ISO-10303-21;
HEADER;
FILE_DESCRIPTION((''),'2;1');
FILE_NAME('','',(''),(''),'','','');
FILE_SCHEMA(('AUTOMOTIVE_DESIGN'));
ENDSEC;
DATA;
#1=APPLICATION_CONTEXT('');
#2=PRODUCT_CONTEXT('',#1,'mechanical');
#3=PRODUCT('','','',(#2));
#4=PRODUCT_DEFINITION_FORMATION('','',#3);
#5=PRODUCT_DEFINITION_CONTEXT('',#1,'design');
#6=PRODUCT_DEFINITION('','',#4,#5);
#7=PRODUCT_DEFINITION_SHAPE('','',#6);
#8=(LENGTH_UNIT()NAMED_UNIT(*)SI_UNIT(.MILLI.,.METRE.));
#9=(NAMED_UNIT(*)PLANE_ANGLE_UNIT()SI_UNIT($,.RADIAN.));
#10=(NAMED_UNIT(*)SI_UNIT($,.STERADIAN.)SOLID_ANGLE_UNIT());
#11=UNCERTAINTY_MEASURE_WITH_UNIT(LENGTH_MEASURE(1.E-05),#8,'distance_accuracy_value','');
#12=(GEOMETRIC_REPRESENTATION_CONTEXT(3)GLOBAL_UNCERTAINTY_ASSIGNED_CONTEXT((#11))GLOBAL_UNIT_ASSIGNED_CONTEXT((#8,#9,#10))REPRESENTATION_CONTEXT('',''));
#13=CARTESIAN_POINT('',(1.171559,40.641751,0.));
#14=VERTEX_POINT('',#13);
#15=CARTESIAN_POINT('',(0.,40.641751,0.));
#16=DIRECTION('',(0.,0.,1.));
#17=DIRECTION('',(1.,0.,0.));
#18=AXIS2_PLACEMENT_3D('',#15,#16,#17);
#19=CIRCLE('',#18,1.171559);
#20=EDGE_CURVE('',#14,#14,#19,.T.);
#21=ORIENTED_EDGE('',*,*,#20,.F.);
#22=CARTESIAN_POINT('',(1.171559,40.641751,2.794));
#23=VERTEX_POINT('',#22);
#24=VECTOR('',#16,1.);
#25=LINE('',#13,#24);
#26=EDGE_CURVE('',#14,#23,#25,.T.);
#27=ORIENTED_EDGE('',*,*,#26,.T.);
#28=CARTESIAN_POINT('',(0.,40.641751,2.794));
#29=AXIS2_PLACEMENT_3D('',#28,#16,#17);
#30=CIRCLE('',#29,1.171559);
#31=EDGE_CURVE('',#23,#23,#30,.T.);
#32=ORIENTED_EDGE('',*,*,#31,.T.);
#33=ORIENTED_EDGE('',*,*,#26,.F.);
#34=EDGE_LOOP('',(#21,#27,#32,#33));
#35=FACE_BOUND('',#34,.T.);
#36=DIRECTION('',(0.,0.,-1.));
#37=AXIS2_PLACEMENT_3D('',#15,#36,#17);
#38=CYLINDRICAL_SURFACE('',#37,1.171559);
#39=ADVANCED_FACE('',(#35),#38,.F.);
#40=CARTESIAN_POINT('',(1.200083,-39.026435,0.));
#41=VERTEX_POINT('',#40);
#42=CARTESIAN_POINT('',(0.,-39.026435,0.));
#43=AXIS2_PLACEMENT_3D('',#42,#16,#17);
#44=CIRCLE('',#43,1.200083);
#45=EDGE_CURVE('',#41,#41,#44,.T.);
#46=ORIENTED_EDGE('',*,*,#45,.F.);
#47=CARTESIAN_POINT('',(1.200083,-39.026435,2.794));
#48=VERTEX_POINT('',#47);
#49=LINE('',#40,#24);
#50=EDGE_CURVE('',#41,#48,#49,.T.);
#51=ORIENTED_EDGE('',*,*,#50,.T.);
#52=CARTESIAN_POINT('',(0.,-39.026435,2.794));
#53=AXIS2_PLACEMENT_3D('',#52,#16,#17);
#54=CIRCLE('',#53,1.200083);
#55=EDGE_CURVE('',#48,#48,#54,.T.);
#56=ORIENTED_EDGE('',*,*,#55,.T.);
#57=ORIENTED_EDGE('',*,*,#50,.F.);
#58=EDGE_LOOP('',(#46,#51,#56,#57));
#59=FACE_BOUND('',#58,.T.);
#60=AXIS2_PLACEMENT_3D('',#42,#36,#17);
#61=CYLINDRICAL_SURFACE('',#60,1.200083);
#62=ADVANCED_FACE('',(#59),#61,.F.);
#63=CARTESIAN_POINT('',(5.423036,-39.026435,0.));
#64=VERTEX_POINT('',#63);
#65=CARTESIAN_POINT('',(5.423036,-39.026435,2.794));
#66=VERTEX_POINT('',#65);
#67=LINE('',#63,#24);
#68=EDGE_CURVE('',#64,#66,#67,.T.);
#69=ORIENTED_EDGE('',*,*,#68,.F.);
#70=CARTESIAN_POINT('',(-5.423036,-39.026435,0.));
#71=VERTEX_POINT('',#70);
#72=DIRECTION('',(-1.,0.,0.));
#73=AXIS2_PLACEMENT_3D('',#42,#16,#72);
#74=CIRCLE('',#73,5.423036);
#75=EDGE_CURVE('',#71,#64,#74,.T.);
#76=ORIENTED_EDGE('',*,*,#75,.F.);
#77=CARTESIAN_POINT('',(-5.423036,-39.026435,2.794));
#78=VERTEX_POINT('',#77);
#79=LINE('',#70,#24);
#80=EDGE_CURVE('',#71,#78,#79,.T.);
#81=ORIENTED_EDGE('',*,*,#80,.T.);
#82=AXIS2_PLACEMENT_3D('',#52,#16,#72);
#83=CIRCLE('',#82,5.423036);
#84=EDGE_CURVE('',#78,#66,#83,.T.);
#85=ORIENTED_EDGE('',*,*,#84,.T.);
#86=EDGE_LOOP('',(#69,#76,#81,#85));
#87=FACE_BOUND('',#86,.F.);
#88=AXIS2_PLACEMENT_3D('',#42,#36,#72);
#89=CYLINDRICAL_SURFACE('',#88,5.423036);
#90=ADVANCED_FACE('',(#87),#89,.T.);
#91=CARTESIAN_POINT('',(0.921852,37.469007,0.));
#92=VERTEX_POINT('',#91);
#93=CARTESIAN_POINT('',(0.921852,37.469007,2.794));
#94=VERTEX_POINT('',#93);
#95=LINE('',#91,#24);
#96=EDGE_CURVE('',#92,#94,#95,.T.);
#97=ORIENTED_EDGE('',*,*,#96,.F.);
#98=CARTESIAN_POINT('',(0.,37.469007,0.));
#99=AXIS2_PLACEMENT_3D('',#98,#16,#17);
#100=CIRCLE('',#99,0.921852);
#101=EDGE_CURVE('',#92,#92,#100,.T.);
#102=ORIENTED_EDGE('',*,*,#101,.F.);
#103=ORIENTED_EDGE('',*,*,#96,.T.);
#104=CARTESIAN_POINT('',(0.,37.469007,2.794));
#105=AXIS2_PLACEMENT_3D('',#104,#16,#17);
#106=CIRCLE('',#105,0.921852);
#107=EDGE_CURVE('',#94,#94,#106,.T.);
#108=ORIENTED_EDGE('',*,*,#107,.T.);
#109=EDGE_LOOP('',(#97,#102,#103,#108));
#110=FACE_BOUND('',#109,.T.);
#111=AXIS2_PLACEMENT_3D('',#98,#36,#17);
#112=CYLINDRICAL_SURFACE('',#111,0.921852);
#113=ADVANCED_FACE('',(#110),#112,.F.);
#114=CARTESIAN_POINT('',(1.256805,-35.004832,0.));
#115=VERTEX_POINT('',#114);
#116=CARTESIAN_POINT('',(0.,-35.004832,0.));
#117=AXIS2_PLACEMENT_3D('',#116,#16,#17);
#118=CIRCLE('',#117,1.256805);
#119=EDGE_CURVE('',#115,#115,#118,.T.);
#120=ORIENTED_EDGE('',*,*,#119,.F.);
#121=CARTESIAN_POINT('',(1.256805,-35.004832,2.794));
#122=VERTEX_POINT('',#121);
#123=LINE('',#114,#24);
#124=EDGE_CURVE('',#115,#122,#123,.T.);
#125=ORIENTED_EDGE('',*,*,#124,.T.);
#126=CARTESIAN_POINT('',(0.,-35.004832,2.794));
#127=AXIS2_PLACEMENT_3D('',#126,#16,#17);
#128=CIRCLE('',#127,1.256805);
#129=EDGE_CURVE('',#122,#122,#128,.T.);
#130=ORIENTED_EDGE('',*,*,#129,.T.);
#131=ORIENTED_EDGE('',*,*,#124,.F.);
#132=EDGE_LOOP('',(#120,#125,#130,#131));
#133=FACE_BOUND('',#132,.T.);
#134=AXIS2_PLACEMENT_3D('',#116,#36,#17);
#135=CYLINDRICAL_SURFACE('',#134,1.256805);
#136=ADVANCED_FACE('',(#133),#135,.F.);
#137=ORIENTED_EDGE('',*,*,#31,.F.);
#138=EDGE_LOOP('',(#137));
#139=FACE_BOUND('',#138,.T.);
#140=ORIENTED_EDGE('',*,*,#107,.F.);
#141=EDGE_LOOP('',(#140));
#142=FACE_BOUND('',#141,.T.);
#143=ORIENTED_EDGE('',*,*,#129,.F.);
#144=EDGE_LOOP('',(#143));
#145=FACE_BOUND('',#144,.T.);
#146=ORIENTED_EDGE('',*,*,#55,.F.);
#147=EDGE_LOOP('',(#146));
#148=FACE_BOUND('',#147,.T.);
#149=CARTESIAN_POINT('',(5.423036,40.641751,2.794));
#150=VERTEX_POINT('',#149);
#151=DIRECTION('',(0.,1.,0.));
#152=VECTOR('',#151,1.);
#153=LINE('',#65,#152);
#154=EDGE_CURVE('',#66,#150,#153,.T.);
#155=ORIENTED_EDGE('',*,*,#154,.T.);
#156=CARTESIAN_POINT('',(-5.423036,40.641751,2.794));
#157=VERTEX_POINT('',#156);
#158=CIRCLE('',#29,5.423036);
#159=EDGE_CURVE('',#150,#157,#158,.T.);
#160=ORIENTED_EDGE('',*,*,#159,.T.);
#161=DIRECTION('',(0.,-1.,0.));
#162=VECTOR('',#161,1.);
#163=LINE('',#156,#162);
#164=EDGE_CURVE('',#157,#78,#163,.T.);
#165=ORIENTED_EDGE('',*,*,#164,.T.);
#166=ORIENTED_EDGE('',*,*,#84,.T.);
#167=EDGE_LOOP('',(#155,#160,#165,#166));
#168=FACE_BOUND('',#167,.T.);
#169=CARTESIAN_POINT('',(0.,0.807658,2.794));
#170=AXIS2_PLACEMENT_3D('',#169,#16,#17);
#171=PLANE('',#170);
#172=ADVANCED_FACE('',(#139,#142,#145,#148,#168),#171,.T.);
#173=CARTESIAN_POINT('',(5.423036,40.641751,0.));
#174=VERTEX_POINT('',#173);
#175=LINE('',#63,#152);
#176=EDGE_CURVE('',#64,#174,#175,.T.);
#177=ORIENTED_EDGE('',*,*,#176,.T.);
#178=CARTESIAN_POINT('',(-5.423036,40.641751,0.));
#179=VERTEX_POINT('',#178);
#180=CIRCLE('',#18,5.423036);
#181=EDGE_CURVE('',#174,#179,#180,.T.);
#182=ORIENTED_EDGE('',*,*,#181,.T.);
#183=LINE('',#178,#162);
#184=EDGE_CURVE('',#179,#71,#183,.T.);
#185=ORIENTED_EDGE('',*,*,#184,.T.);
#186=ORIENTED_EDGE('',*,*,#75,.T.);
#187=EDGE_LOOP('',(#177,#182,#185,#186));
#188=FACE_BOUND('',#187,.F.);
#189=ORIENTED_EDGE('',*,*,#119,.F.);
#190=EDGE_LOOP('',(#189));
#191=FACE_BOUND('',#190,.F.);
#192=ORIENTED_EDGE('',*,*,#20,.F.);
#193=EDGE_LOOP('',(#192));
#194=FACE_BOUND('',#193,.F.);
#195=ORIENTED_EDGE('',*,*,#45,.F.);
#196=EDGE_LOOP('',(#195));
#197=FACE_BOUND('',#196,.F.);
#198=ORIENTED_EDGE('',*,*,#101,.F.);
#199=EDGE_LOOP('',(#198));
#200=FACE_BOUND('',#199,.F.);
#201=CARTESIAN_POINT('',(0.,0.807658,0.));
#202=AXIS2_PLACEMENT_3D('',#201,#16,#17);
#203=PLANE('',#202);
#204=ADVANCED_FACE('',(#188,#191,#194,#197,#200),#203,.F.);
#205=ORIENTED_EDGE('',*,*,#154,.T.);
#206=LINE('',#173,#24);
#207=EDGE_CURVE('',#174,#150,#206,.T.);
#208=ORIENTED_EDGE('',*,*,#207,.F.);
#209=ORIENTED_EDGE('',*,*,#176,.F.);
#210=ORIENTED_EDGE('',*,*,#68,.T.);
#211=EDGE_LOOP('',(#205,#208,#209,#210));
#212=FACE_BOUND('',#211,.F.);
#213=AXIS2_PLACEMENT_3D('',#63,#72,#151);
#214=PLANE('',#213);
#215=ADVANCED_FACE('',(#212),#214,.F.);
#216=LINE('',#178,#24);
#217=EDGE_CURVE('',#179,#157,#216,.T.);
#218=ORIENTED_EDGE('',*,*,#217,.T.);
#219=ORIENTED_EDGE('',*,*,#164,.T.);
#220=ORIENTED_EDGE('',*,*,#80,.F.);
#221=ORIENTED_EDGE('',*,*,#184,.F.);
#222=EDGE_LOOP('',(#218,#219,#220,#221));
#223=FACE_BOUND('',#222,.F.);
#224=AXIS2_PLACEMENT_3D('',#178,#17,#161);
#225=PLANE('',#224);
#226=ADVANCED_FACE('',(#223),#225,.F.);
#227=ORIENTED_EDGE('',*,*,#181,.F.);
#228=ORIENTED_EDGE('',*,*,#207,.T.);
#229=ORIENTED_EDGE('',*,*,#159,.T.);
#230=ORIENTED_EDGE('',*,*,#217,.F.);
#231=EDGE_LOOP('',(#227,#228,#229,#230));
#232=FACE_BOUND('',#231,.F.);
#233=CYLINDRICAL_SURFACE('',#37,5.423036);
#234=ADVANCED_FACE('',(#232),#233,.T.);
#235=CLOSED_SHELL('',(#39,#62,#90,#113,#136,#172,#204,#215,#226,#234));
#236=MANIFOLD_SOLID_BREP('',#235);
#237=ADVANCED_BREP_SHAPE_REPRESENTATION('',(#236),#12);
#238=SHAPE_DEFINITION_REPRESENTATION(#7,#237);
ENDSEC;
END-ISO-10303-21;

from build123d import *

# Parameters (mm, degrees)
F0_R     = 1.200083
F0_R_2   = 1.256805
F0_R_3   = 0.921852
F0_R_4   = 1.171559
F1_DEPTH = 2.794


with BuildPart() as f1:
    # F0 (on Top) → F1 (new body)
    with BuildSketch(Plane.XY):
        with BuildLine():
            Line((5.423036, -39.026435), (5.423036, 40.641751))
            ThreePointArc((5.423036, 40.641751), (0, 46.064787), (-5.423036, 40.641751))
            Line((-5.423036, 40.641751), (-5.423036, -39.026435))
            ThreePointArc((-5.423036, -39.026435), (0, -44.449471), (5.423036, -39.026435))
        make_face()
        with Locations((0, -39.026435)):
            Circle(F0_R, mode=Mode.SUBTRACT)
        with Locations((0, -35.004832)):
            Circle(F0_R_2, mode=Mode.SUBTRACT)
        with Locations((0, 37.469007)):
            Circle(F0_R_3, mode=Mode.SUBTRACT)
        with Locations((0, 40.641751)):
            Circle(F0_R_4, mode=Mode.SUBTRACT)
    extrude(amount=F1_DEPTH)


solid = f1.part
